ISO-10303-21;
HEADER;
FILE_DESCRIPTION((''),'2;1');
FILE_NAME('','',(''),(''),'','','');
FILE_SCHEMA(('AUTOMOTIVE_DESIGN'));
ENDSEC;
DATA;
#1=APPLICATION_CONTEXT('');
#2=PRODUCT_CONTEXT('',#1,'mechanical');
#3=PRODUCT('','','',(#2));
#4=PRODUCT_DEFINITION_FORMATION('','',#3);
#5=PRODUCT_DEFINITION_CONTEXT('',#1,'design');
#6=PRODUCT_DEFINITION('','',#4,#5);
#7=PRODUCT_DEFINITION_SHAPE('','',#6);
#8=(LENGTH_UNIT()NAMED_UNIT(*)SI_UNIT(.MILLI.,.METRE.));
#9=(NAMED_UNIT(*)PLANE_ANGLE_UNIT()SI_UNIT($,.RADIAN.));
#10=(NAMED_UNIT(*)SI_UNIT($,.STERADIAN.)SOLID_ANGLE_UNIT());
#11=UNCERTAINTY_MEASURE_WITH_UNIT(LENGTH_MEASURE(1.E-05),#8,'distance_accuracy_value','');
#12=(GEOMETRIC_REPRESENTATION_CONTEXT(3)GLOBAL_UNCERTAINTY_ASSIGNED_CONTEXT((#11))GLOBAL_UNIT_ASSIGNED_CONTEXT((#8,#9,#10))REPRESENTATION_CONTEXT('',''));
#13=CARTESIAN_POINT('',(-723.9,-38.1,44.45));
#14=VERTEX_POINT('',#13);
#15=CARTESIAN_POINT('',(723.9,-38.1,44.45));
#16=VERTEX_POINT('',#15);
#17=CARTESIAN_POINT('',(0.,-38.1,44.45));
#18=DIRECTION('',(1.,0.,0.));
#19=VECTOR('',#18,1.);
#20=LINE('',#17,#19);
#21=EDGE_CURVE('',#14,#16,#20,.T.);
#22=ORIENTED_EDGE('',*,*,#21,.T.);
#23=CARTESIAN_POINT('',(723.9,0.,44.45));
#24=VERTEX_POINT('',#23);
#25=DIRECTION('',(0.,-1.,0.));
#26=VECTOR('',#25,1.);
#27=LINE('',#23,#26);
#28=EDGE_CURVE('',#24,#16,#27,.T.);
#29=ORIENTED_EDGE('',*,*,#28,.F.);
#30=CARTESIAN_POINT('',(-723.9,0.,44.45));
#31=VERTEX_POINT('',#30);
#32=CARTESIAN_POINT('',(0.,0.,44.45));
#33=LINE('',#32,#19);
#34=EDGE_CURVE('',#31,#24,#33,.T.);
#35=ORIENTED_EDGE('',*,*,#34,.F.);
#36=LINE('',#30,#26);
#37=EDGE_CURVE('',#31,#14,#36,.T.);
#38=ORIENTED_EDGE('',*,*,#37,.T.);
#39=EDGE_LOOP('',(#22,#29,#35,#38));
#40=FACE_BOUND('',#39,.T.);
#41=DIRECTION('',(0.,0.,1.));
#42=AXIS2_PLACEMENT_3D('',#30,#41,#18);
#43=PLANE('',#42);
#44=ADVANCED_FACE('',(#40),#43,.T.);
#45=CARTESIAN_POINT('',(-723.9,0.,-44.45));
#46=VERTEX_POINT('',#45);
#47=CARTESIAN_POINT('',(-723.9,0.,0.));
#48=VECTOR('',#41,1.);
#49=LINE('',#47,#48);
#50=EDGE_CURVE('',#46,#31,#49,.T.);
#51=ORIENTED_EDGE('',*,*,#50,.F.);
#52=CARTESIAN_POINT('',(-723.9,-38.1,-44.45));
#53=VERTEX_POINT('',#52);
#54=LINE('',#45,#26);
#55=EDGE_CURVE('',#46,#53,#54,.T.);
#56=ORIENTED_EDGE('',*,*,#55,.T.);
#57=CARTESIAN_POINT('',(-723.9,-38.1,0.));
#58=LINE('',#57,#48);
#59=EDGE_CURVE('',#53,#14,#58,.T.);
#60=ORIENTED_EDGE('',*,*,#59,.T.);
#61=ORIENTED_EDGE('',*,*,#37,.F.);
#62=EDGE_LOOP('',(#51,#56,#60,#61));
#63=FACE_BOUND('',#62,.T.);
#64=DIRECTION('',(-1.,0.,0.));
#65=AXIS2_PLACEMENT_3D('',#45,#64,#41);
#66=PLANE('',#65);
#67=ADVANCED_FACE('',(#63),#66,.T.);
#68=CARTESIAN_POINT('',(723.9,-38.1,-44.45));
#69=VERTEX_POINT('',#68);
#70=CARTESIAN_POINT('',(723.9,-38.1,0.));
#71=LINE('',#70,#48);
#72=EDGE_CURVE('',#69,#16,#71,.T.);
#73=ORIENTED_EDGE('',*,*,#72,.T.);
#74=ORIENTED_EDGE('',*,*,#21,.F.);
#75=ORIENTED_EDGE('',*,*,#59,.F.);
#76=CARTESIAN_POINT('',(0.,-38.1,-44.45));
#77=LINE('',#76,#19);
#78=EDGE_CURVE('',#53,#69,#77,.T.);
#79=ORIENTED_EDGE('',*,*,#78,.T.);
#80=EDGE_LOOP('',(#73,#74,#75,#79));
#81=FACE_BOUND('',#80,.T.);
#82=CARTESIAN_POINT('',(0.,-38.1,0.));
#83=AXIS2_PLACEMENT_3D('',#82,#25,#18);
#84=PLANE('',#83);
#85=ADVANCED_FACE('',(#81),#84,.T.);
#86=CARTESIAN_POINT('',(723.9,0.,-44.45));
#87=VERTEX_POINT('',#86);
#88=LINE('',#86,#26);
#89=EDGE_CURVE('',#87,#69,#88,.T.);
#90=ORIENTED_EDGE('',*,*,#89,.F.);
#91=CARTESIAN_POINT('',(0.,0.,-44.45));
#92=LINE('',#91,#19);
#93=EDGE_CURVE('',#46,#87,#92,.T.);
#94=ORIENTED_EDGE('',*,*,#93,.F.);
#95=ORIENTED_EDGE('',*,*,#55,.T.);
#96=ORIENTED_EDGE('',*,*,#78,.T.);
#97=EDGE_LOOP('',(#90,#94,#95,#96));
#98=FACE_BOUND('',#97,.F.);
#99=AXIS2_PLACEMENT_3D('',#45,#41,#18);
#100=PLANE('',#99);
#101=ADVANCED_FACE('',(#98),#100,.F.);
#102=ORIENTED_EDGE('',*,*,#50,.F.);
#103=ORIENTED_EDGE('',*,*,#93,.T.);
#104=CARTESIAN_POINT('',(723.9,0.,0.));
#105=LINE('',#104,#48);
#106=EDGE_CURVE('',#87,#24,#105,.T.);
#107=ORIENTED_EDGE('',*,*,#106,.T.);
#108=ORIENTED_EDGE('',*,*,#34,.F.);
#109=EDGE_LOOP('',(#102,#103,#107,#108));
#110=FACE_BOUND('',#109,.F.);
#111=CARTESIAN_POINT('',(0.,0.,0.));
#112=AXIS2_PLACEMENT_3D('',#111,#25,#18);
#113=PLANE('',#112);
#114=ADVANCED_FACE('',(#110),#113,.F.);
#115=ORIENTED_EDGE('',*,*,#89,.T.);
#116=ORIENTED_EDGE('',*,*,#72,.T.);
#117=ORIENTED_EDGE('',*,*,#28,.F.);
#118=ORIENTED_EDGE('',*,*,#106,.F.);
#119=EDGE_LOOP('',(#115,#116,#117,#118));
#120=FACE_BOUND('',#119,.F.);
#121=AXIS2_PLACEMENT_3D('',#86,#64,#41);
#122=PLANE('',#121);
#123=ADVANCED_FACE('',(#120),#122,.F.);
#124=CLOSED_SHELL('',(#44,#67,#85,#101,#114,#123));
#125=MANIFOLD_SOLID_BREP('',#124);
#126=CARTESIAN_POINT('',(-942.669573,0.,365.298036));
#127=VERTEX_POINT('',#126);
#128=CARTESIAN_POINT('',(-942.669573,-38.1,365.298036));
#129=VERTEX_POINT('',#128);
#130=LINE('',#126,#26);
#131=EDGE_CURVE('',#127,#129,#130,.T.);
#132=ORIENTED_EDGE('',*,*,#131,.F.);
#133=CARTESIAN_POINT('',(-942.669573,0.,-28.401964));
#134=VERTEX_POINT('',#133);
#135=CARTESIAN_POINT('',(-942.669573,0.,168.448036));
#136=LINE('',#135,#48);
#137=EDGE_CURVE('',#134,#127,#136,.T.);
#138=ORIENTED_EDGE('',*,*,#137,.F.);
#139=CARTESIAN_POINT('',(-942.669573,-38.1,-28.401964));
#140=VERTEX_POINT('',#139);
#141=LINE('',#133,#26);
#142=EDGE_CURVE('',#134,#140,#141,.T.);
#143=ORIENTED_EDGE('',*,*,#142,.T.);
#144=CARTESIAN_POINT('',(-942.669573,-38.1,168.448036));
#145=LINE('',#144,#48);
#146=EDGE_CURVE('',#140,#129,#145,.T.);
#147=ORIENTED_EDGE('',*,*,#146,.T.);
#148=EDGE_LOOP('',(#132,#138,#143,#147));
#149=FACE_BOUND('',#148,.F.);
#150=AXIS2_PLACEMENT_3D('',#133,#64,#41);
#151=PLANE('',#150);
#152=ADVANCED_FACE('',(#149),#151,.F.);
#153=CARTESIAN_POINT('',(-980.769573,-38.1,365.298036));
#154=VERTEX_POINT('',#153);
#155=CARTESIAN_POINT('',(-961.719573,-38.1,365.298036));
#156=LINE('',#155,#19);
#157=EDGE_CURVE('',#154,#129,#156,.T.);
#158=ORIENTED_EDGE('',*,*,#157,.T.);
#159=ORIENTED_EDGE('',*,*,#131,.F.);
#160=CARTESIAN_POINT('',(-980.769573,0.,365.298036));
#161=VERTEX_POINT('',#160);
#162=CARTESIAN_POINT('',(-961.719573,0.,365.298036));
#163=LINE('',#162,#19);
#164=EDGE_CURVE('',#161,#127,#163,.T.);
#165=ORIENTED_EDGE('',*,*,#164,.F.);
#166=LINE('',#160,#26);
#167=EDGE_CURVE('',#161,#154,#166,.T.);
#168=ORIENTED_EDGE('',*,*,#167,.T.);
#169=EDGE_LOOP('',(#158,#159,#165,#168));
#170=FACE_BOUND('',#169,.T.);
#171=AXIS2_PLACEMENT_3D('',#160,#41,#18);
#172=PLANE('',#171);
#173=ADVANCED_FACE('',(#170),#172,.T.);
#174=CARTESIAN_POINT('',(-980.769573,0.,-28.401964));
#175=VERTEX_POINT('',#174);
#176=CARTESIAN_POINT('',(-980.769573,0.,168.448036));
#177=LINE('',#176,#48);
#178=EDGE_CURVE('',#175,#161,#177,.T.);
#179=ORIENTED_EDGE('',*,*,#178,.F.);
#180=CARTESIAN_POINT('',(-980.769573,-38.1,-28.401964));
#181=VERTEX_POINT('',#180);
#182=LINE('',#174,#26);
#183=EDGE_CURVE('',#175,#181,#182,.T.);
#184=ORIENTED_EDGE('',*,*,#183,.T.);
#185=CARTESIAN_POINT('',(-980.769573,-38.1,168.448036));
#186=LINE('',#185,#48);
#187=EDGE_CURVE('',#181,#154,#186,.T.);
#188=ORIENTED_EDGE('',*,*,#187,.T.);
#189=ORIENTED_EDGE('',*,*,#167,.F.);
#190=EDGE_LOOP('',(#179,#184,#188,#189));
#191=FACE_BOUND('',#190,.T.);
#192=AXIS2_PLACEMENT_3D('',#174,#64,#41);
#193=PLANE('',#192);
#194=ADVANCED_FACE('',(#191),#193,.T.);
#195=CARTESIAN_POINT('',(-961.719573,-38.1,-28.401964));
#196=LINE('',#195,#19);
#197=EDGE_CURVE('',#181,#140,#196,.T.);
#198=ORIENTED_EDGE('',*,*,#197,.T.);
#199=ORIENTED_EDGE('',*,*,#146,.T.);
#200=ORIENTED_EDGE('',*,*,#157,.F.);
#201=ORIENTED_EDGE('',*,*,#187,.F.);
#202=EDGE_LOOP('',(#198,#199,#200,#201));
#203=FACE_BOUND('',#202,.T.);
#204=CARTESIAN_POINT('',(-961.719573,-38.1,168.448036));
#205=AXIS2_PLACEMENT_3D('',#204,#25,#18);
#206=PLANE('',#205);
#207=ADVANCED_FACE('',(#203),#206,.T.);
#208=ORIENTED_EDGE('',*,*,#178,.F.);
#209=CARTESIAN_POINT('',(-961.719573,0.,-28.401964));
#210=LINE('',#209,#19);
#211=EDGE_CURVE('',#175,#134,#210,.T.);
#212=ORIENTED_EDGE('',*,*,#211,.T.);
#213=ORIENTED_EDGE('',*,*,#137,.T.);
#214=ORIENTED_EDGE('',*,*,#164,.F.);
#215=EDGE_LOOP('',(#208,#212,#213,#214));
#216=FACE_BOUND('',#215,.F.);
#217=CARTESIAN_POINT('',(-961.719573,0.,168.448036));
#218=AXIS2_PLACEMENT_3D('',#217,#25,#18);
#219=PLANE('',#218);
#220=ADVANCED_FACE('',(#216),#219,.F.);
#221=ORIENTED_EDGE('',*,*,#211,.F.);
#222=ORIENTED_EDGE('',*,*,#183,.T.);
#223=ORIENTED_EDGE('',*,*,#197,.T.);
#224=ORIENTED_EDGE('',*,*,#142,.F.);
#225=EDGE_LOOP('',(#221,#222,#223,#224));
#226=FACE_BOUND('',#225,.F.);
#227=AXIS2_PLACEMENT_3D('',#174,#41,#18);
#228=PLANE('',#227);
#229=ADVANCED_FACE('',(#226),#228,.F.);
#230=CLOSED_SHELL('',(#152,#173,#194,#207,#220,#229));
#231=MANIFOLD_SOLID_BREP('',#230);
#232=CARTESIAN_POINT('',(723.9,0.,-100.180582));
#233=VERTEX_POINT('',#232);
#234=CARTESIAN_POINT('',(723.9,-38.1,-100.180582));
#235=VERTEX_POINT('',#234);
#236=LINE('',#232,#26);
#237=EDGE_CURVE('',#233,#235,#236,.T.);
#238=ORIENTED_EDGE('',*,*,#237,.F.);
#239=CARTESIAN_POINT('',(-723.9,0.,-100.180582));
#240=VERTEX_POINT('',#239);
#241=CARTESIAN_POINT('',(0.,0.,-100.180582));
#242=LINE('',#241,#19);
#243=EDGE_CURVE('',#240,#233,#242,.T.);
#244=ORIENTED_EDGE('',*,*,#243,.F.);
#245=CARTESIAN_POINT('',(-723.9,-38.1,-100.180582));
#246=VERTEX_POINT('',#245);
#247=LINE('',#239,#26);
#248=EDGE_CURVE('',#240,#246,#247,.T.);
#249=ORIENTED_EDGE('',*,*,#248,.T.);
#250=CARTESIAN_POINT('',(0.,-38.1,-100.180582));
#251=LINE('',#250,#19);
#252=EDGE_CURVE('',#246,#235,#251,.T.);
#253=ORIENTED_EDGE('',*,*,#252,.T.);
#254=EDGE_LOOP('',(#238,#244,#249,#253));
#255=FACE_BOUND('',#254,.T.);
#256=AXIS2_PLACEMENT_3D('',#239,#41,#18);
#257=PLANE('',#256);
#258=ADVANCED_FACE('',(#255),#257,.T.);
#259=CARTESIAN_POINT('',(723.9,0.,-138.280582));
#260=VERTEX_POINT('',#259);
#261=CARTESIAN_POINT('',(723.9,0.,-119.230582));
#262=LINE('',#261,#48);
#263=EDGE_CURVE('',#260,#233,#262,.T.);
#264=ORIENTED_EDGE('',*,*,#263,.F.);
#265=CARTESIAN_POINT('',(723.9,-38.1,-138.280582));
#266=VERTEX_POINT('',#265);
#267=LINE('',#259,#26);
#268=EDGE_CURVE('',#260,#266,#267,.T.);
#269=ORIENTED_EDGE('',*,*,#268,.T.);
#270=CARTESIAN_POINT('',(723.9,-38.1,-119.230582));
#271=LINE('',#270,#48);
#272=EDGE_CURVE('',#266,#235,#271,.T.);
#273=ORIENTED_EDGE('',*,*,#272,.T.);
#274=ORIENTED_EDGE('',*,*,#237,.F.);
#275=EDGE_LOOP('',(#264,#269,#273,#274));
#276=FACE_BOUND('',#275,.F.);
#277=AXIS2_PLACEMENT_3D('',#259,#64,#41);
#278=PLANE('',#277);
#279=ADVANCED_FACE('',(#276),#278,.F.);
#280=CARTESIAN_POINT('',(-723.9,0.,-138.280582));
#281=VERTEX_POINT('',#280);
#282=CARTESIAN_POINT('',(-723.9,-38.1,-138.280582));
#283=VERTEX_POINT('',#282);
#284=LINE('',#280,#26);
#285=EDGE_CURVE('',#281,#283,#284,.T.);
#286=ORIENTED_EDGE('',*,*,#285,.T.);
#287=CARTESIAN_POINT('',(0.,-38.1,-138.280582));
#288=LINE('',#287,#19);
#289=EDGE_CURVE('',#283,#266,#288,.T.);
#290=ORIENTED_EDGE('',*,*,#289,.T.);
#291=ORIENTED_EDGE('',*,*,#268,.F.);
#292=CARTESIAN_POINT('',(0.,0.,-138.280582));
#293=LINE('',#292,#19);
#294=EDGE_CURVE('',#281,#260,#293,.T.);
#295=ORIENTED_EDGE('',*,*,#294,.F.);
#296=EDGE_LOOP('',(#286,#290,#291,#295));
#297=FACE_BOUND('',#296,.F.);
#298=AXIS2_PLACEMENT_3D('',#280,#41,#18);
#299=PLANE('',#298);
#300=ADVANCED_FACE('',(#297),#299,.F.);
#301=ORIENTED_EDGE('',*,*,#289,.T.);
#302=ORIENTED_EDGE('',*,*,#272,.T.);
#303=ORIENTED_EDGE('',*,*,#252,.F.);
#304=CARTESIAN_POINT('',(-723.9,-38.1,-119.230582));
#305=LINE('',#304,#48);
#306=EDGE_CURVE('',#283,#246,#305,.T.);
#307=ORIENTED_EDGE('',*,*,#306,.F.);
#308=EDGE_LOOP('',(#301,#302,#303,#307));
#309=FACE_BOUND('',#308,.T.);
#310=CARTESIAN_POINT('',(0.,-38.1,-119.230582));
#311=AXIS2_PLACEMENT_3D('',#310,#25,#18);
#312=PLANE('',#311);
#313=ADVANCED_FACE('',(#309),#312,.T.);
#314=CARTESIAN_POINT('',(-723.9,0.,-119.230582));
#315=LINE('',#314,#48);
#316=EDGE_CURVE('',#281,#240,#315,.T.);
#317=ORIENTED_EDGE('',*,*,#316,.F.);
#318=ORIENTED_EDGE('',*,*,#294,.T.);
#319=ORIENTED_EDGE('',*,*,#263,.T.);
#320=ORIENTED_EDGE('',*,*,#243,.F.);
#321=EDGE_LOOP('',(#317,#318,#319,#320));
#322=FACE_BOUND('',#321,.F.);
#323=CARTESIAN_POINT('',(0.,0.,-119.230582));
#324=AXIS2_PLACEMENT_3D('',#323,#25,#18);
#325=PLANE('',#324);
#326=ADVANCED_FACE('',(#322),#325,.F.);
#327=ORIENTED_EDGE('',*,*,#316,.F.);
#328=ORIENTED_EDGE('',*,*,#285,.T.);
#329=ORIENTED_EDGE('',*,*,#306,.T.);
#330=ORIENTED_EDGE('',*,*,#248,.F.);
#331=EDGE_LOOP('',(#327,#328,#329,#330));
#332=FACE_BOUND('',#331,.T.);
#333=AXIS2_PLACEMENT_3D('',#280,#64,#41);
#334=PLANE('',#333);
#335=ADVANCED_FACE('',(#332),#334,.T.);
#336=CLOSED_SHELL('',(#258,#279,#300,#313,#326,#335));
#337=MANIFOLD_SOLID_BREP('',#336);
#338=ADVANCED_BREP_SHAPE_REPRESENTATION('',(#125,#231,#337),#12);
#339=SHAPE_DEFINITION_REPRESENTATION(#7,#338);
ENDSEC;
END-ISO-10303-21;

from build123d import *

# Parameters (mm, degrees)
F0_W     = 1447.8
F0_H     = 88.9
F1_DEPTH = 38.1
F2_W     = 1447.8
F2_H     = 38.1
F3_DEPTH = 38.1
F4_W     = 38.1
F4_H     = 393.7
F5_DEPTH = 38.1


with BuildPart() as f1:
    # F0 (on Front) → F1 (new body)
    with BuildSketch(Plane.XZ):
        Rectangle(F0_W, F0_H)
    extrude(amount=F1_DEPTH)


with BuildPart() as f3:
    # F2 (on Front) → F3 (new body)
    with BuildSketch(Plane.XZ):
        with Locations((0, -119.230582)):
            Rectangle(F2_W, F2_H)
    extrude(amount=F3_DEPTH)


with BuildPart() as f5:
    # F4 (on Front) → F5 (new body)
    with BuildSketch(Plane.XZ):
        with Locations((-961.719573, 168.448036)):
            Rectangle(F4_W, F4_H)
    extrude(amount=F5_DEPTH)


solid = Compound([f1.part, f3.part, f5.part])
